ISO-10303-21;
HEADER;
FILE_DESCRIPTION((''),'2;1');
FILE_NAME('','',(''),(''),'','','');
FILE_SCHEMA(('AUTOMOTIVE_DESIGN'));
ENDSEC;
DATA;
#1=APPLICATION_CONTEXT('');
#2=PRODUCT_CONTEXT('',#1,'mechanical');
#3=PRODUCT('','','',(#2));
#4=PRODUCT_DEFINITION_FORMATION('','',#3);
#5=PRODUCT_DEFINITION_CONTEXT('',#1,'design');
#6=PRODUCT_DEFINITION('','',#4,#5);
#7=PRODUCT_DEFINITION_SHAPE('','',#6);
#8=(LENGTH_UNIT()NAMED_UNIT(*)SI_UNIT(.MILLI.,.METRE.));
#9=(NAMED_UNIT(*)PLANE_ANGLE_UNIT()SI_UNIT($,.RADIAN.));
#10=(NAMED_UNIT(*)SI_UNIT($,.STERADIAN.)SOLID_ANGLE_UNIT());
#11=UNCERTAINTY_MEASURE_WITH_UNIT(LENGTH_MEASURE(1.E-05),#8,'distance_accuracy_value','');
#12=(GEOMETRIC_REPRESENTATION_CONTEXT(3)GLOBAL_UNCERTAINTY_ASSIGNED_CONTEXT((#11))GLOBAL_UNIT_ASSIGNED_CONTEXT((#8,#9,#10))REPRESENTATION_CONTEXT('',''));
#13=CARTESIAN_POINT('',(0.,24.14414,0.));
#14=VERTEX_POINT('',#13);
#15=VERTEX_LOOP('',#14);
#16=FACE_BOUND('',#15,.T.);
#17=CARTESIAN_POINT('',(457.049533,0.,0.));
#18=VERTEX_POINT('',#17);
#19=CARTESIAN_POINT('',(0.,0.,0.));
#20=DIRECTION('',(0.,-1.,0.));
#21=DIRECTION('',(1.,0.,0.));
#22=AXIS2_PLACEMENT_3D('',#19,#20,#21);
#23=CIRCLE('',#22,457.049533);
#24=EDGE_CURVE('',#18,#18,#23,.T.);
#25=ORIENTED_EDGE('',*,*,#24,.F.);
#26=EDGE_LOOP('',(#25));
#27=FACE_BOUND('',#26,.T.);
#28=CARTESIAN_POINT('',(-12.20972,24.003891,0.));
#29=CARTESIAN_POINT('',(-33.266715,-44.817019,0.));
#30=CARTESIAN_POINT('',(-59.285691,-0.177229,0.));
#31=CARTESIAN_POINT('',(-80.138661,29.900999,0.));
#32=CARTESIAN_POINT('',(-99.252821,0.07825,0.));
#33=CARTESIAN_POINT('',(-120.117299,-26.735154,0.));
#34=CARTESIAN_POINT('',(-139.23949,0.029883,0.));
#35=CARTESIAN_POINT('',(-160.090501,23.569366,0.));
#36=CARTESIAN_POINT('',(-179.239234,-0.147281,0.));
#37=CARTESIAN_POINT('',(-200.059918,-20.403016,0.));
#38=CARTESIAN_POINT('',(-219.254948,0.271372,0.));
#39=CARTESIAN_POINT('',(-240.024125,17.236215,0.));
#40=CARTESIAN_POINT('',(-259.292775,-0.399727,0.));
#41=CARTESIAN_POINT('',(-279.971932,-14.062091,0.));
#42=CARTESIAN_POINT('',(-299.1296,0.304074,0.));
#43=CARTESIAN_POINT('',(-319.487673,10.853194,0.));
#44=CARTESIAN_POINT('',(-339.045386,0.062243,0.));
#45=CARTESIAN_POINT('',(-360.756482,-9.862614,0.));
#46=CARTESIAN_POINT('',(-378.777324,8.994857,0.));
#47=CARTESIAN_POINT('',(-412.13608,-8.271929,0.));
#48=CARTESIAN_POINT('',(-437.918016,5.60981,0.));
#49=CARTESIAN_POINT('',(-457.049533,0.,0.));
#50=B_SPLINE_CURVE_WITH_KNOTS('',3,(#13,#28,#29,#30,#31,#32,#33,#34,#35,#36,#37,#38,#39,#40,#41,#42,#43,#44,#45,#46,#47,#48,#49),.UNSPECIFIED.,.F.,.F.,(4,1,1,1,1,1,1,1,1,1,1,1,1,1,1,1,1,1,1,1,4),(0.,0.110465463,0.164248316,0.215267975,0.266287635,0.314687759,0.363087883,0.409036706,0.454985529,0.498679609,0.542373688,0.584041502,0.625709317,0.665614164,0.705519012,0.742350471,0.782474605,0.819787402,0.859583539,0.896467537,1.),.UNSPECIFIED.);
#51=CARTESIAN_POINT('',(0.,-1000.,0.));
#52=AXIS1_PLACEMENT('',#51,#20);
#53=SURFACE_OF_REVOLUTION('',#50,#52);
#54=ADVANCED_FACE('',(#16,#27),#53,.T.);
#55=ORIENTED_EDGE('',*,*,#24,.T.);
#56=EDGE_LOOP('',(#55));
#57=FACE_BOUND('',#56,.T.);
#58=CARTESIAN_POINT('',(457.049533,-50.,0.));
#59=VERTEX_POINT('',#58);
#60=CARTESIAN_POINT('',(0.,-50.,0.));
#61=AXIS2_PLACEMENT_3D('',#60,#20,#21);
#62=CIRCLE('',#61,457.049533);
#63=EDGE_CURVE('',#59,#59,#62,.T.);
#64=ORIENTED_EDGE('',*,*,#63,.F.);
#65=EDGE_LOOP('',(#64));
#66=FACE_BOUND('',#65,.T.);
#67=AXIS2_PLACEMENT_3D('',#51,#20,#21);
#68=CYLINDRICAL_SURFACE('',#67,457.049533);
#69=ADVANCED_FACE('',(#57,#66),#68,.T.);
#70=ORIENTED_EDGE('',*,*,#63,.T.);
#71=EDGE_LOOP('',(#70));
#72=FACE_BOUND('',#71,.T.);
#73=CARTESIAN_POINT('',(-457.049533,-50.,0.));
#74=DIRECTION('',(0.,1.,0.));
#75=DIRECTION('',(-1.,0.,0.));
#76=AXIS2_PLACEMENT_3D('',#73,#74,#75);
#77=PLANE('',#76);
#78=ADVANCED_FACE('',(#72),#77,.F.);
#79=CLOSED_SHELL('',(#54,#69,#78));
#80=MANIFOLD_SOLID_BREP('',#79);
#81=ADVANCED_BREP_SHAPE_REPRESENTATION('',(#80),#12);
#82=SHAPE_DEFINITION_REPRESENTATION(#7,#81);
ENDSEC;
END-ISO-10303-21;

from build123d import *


with BuildPart() as part:
    # Esboço1 → Revolução1 (revolve)
    with BuildSketch(Plane.XY, mode=Mode.PRIVATE) as revolu_o1_sk:
        with BuildLine():
            Line((-457.049532745, 0), (-457.049532745, -50))
            Line((-457.049532745, -50), (0, -50))
            Line((0, -50), (0, 24.144140097))
            add(Edge.make_bspline(
                [(0, 24.144140097), (-12.209720323, 24.003890948), (-33.266714697, -44.817019015), (-59.285691478, -0.177228888), (-80.138661294, 29.900999495), (-99.25282109, 0.078250012), (-120.117298717, -26.735154481), (-139.239489854, 0.029883345), (-160.090501003, 23.569365526), (-179.239234222, -0.147281171), (-200.059917929, -20.40301596), (-219.254947939, 0.271372317), (-240.024125117, 17.236214767), (-259.292775463, -0.399727216), (-279.971932068, -14.062090924), (-299.129600383, 0.304074246), (-319.487672972, 10.853193763), (-339.045386029, 0.062243096), (-360.756482051, -9.862614167), (-378.777323885, 8.994856998), (-412.136080412, -8.271928575), (-437.918016299, 5.609810256), (-457.049532745, 0)],
                knots=[0, 0, 0, 0, 0.110465463, 0.164248316, 0.215267975, 0.266287635, 0.314687759, 0.363087883, 0.409036706, 0.454985529, 0.498679609, 0.542373688, 0.584041502, 0.625709317, 0.665614164, 0.705519012, 0.742350471, 0.782474605, 0.819787402, 0.859583539, 0.896467537, 1, 1, 1, 1], degree=3))
        make_face()
    revolve(revolu_o1_sk.sketch.rotate(Axis((0, -1000, 0), (0, 1, 0)), 180), axis=Axis((0, -1000, 0), (0, 1, 0)))


solid = part.part
